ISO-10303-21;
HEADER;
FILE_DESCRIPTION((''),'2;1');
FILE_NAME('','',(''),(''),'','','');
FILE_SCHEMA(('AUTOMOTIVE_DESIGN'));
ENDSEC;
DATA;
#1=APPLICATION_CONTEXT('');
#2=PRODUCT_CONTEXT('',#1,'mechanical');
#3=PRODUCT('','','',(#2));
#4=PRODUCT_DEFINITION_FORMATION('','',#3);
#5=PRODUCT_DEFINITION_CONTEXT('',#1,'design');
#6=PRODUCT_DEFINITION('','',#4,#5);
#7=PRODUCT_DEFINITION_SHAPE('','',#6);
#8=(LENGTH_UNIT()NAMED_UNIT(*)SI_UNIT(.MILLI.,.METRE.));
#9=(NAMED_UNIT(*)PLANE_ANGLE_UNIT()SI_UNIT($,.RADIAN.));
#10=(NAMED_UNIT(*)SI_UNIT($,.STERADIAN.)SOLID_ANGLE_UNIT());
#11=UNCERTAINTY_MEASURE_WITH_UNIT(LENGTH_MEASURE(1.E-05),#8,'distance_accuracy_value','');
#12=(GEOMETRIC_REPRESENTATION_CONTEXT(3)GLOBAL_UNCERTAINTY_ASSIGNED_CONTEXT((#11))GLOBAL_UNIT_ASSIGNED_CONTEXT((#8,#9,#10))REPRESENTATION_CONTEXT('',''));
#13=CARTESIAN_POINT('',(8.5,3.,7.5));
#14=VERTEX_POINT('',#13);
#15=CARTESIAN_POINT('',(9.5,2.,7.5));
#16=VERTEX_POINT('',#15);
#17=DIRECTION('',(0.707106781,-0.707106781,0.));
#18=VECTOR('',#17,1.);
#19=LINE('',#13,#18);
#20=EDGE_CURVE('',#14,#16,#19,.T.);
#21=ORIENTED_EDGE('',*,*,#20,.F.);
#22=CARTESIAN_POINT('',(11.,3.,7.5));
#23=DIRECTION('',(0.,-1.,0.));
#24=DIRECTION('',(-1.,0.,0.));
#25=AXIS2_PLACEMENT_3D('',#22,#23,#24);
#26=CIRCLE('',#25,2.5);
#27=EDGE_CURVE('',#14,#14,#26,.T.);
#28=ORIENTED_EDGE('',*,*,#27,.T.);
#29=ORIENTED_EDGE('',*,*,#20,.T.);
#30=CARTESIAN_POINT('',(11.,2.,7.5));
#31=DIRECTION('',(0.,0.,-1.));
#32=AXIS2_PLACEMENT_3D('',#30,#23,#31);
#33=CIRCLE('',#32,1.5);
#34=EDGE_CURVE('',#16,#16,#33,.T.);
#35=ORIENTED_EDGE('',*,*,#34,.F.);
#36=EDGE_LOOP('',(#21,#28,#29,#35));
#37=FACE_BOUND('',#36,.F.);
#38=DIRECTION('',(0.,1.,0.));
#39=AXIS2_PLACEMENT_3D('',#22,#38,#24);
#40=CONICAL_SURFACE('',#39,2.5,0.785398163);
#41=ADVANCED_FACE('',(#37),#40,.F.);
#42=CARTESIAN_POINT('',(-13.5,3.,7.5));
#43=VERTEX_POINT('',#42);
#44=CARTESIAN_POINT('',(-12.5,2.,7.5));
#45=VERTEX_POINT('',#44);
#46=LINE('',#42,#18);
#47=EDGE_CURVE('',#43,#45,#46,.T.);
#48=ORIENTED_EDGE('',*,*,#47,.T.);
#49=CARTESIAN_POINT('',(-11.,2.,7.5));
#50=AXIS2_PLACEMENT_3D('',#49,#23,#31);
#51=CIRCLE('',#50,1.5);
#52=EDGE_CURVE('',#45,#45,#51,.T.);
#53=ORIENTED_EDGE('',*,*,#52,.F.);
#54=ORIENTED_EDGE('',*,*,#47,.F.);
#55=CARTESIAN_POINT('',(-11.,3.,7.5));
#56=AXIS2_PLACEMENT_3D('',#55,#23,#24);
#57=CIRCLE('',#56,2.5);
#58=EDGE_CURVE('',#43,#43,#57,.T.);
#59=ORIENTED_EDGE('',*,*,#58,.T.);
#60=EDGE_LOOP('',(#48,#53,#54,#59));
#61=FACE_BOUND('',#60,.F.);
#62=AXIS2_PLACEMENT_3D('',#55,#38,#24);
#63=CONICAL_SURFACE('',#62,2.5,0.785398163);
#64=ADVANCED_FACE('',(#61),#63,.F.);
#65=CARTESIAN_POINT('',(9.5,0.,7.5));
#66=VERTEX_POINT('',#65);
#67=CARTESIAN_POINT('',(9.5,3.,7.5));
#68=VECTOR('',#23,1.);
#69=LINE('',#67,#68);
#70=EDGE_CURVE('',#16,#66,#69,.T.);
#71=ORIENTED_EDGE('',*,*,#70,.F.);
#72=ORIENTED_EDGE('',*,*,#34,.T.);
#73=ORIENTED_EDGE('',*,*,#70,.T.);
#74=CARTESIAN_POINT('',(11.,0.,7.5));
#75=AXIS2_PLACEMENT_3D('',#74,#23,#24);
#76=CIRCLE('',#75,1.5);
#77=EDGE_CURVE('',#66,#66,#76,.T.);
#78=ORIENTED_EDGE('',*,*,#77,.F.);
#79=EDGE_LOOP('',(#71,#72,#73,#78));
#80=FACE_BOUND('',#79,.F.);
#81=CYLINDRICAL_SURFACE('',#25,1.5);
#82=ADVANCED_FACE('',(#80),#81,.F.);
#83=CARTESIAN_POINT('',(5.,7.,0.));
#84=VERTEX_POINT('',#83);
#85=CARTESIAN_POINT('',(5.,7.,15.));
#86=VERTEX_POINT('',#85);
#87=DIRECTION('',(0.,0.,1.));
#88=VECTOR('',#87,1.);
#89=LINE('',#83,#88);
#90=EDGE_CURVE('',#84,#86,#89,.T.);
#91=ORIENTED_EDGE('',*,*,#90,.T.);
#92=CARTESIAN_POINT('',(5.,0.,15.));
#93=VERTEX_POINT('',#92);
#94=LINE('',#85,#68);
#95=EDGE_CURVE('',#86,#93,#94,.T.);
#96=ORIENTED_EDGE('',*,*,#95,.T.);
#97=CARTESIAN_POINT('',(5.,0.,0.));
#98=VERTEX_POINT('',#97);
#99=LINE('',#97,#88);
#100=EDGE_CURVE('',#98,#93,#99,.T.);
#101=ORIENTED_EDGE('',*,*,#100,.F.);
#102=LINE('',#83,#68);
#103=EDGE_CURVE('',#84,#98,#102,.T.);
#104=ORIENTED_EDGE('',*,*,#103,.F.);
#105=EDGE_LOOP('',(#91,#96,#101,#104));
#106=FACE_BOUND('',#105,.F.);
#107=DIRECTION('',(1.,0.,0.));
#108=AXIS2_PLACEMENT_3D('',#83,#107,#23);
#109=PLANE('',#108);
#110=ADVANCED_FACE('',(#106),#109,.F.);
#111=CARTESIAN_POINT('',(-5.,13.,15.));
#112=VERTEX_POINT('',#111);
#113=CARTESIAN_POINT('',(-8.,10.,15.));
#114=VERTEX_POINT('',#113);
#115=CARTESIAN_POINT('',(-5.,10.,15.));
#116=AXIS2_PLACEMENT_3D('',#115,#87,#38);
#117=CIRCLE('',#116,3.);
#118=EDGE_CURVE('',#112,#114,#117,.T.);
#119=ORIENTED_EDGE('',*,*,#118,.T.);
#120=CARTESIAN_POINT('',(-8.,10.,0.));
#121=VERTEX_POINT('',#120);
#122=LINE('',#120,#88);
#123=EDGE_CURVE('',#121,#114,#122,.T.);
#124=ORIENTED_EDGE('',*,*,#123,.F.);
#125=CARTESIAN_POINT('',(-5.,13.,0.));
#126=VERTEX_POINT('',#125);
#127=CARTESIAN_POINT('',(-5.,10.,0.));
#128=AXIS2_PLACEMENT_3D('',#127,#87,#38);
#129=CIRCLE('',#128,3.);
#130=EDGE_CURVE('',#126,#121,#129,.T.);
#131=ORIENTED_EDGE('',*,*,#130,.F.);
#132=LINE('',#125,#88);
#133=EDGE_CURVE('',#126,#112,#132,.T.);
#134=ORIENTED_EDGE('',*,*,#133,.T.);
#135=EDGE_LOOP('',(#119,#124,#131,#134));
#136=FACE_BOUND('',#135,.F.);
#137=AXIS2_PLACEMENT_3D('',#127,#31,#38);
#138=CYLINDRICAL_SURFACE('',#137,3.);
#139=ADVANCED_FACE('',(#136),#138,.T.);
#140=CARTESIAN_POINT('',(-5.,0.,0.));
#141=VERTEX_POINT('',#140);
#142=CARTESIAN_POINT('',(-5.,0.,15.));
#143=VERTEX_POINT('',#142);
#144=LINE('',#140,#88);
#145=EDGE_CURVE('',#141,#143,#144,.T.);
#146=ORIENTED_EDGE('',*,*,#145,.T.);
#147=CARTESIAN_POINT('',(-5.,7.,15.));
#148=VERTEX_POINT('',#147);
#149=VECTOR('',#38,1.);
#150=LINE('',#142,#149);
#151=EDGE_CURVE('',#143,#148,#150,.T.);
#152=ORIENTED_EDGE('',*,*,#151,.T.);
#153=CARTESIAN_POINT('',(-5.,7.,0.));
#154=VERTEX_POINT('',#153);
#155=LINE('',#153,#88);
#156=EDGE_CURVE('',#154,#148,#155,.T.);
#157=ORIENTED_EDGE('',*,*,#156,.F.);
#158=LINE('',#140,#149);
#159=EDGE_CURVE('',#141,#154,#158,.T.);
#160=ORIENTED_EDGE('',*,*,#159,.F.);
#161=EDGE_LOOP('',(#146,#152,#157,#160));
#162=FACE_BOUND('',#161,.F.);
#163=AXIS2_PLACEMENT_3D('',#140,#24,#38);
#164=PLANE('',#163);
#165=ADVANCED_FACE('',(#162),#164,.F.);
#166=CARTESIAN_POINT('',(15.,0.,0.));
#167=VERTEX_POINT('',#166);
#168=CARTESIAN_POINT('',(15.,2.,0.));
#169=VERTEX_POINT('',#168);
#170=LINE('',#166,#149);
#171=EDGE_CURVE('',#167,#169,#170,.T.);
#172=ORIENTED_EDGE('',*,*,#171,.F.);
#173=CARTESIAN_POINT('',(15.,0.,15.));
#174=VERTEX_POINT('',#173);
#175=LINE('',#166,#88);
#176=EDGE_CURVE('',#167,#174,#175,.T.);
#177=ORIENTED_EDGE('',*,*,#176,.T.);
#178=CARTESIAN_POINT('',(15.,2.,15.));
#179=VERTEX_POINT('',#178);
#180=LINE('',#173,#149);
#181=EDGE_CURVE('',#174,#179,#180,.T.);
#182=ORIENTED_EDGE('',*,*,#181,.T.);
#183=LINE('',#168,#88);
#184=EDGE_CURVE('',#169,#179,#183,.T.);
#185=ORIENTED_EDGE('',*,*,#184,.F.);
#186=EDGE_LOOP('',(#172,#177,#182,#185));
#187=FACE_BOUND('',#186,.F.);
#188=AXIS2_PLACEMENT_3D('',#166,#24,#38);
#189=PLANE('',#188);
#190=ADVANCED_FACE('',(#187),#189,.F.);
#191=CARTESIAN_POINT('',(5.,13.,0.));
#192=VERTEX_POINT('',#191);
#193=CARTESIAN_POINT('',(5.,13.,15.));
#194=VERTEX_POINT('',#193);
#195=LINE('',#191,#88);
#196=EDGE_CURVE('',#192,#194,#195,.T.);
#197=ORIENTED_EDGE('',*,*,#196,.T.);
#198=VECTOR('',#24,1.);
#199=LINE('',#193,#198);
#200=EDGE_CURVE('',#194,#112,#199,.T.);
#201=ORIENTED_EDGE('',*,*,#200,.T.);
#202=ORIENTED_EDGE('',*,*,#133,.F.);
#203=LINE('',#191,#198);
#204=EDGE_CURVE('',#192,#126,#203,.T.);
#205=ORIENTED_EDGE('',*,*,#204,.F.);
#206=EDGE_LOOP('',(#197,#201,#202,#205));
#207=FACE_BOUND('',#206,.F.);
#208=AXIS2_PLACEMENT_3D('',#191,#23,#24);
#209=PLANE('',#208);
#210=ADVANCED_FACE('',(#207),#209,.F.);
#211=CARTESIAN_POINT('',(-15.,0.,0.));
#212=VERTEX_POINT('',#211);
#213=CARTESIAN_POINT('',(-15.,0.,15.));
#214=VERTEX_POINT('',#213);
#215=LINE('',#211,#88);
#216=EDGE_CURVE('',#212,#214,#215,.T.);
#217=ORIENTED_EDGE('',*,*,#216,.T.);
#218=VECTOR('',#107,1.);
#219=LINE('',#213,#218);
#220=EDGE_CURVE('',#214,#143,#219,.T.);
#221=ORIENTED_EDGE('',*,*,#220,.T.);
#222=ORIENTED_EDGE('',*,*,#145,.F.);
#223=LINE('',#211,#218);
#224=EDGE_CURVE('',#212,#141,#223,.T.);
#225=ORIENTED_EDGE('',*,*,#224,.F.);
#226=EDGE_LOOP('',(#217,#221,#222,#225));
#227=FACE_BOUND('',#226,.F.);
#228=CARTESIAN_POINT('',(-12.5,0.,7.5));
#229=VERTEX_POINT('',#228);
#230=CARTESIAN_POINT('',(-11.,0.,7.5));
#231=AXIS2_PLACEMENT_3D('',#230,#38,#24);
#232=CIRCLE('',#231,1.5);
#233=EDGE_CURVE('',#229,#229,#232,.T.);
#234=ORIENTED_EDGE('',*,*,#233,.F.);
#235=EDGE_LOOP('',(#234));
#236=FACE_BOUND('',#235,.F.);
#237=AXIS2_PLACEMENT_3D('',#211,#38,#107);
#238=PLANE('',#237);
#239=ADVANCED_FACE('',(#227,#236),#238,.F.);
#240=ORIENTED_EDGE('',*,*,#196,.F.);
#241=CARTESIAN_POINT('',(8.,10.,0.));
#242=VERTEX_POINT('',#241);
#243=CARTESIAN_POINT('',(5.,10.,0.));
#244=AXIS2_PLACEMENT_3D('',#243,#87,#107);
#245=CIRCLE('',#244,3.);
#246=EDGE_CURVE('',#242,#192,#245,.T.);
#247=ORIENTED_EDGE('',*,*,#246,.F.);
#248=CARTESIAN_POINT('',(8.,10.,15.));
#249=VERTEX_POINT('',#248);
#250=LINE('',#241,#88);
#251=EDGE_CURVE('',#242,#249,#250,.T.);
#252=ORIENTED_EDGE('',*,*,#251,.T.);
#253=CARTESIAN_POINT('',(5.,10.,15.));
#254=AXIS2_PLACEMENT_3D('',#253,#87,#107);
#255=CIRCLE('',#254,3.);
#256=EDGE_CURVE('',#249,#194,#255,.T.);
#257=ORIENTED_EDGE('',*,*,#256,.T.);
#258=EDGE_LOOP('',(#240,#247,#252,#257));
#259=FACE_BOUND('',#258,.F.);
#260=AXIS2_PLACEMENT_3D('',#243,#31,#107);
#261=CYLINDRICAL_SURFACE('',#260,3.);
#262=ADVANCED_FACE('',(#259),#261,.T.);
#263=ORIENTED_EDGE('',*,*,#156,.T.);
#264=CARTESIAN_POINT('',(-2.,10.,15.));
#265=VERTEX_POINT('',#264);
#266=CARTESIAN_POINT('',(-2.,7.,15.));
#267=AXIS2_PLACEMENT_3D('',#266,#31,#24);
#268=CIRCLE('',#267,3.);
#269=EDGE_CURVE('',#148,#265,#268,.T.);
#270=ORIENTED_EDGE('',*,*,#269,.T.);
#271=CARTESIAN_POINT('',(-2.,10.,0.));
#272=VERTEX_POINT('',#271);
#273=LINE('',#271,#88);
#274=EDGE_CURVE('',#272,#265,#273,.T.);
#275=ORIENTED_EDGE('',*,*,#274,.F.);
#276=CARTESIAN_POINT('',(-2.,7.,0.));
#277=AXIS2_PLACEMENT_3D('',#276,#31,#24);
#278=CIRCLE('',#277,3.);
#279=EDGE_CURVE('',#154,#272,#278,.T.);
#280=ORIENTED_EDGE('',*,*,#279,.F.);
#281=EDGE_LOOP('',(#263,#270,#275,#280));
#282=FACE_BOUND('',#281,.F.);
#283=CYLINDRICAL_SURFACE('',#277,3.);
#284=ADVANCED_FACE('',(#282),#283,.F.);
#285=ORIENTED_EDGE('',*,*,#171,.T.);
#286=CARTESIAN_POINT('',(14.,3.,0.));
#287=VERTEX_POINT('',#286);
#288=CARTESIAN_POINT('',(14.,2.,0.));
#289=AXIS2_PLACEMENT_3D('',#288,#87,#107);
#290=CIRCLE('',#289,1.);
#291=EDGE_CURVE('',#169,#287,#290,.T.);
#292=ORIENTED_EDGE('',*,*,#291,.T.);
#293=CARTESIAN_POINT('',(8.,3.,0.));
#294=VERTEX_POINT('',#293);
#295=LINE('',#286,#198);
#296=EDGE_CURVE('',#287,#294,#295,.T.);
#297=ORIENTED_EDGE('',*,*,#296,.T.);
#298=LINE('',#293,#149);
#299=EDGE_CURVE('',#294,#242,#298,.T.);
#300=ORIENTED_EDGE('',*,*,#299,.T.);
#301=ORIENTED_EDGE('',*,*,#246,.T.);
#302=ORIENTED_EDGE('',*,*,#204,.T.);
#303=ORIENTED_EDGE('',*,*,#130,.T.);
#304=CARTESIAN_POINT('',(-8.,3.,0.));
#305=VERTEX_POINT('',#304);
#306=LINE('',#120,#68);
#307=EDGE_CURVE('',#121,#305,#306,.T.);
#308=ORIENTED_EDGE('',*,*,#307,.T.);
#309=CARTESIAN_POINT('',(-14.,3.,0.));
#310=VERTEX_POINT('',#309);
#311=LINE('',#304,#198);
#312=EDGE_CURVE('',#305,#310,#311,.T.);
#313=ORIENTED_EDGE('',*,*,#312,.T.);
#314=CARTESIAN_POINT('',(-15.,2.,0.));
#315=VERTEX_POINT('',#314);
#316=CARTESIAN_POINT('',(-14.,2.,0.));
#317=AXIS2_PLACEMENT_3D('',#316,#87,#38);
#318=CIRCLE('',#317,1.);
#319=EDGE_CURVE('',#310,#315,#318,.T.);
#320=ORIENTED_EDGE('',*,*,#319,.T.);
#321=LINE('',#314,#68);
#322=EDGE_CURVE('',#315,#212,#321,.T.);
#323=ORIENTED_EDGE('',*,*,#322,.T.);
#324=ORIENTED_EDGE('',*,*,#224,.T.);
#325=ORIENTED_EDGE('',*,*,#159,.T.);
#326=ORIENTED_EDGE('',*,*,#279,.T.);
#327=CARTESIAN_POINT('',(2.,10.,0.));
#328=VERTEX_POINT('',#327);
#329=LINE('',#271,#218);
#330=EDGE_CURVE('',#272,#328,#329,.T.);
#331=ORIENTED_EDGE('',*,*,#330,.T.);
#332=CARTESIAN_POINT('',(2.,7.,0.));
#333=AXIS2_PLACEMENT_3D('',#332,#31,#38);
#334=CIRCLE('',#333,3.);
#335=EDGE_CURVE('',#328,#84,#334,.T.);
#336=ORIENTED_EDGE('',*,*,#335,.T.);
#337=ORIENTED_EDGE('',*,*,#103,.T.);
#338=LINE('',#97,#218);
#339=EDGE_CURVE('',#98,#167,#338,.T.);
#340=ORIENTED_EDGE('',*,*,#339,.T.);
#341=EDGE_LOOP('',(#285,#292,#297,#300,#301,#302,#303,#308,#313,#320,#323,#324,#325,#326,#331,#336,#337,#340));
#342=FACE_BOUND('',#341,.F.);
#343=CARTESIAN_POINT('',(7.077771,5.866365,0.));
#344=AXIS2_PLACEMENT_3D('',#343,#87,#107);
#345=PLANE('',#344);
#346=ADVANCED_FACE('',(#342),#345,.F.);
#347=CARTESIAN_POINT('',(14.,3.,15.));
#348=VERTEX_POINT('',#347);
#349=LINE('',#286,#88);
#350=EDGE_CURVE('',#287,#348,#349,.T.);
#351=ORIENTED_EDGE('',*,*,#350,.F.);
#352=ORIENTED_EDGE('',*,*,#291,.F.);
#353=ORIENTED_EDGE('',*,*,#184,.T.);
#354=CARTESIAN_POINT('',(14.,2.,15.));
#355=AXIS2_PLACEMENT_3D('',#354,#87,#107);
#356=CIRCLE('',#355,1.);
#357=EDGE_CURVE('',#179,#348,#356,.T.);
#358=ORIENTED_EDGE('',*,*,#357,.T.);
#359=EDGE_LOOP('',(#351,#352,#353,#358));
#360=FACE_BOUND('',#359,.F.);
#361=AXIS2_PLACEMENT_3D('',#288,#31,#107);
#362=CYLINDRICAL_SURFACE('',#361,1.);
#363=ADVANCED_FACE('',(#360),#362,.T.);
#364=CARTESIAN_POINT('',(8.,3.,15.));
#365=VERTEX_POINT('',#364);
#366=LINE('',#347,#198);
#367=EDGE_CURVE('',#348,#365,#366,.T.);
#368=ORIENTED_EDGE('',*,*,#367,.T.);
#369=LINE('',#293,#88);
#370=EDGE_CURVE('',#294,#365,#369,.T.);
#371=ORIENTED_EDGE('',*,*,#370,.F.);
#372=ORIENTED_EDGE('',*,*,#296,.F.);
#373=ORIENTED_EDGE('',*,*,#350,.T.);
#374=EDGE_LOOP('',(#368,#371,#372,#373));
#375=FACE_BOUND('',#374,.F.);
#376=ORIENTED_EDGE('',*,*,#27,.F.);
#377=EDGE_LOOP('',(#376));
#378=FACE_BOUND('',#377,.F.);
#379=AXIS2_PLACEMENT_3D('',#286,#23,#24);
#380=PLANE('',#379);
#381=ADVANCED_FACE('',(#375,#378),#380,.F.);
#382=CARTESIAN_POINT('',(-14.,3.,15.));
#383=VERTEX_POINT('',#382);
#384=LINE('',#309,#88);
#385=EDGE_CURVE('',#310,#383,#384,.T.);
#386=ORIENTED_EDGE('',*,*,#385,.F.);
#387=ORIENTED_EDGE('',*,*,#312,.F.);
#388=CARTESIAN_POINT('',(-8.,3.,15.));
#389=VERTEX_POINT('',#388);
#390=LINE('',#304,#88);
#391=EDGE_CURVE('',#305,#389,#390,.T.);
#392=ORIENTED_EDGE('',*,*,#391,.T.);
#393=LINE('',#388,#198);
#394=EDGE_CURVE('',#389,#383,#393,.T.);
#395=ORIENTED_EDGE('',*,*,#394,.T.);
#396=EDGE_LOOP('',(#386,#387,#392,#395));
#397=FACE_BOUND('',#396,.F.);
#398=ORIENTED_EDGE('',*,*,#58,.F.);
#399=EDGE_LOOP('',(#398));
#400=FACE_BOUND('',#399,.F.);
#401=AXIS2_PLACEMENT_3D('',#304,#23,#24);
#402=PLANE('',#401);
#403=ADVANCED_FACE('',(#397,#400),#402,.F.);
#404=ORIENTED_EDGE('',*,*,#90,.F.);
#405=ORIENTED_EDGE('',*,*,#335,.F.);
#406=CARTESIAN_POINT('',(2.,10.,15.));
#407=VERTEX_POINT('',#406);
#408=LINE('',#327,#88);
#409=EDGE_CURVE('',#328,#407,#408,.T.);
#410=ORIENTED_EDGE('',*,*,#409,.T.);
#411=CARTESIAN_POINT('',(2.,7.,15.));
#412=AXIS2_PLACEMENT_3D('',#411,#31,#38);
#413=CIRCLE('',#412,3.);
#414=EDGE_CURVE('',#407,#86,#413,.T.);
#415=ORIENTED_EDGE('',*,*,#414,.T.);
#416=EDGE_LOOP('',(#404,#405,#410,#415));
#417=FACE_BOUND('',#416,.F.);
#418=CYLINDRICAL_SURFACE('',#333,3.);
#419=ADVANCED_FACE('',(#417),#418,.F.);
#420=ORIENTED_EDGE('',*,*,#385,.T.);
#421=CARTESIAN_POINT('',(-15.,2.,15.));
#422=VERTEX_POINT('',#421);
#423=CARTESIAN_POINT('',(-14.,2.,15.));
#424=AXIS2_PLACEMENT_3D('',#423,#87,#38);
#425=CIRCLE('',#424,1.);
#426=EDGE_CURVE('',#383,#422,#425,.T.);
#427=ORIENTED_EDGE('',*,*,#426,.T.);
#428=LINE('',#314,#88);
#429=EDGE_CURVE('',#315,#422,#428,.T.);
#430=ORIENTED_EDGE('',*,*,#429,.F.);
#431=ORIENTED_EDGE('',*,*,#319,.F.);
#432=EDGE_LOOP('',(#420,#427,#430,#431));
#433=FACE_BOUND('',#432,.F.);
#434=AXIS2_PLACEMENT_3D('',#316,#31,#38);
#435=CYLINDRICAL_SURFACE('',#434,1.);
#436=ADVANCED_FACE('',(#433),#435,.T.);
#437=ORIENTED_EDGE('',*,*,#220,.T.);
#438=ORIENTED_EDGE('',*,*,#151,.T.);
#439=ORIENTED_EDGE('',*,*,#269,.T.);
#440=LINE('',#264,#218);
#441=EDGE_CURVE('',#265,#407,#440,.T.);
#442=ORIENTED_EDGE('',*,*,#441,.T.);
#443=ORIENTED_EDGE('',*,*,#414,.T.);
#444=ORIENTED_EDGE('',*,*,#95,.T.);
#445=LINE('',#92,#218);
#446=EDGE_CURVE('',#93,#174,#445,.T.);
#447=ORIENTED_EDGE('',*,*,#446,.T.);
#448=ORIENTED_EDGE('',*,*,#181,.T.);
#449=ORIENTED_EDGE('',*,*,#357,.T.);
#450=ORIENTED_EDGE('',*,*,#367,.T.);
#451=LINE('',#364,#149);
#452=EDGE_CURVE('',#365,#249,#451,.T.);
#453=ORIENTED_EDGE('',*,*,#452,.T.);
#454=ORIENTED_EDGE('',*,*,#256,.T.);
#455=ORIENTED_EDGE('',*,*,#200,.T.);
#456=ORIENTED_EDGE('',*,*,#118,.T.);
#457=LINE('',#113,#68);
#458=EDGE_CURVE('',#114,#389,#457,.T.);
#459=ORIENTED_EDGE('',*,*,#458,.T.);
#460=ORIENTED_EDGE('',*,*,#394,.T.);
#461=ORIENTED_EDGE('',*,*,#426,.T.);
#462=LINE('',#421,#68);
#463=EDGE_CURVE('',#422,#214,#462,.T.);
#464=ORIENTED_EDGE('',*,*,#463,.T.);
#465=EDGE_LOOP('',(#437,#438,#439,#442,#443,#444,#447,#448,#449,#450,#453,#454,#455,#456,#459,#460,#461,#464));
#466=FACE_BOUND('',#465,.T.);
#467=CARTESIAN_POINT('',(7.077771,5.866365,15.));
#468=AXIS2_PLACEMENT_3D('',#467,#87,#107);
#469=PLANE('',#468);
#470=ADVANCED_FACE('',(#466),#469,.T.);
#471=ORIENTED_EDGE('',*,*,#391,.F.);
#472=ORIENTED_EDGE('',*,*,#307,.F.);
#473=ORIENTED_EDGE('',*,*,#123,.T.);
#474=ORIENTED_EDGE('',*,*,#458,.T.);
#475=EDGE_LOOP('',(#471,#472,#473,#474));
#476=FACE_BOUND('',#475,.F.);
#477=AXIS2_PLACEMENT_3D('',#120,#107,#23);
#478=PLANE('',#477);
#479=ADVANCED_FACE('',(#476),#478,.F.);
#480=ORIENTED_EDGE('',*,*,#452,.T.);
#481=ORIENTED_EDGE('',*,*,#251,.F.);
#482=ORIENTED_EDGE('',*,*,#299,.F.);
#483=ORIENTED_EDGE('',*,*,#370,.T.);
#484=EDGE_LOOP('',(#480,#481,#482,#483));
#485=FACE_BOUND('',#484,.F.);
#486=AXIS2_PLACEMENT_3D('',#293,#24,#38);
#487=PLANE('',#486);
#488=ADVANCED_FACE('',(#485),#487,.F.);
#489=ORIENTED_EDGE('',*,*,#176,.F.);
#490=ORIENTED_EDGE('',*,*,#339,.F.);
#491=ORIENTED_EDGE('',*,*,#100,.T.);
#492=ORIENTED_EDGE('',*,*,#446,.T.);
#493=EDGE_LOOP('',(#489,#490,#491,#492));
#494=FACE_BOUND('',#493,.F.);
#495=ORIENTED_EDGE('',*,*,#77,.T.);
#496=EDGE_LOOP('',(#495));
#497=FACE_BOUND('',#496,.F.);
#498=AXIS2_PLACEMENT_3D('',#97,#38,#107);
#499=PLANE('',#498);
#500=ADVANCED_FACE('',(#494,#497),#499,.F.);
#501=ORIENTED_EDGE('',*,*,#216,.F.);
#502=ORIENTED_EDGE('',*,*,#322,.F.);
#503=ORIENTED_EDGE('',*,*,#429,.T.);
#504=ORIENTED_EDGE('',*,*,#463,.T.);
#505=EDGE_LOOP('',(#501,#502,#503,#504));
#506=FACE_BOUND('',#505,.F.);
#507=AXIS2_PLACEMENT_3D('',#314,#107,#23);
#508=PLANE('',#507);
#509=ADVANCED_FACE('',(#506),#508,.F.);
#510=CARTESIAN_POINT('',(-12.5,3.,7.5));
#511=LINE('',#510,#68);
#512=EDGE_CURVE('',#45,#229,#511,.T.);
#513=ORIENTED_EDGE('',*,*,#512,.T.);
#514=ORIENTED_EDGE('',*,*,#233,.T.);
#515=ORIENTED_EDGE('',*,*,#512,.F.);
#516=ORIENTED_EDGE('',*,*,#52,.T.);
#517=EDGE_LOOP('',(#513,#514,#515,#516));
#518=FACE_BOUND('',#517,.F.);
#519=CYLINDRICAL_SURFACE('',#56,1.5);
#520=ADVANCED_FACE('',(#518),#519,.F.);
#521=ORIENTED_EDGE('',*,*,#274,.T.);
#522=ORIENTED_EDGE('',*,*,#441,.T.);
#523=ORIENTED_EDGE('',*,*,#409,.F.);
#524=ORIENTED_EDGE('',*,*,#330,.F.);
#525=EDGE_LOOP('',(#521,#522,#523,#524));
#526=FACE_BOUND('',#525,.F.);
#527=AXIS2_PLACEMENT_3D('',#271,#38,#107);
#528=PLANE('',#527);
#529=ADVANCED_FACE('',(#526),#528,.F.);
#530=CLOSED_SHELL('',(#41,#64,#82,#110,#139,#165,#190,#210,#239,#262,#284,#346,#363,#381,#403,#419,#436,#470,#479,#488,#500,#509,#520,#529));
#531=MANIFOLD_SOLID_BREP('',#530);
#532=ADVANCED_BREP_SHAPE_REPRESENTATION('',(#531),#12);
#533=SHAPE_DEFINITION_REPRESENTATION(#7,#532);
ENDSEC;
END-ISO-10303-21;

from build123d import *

# Parameters (mm, degrees)
F1_DEPTH       = 15
F4_D           = 3
F4_DEPTH       = 3
F4_CSINK_D     = 5
F4_CSINK_ANGLE = 90
F4_TIP         = 0.9012909285


with BuildPart() as f1:
    # F0 (on Top) → F1 (new body)
    with BuildSketch(Plane.XY):
        with BuildLine():
            Line((5, 7), (5, 0))
            Line((5, 0), (15, 0))
            Line((15, 0), (15, 2))
            ThreePointArc((15, 2), (14.7071067812, 2.7071067812), (14, 3))
            Line((14, 3), (8, 3))
            Line((8, 3), (8, 10))
            ThreePointArc((8, 10), (7.1213203436, 12.1213203436), (5, 13))
            Line((5, 13), (0, 13))
            Line((0, 13), (0, 10))
            Line((0, 10), (2, 10))
            ThreePointArc((2, 10), (4.1213203436, 9.1213203436), (5, 7))
        make_face()
        with BuildLine():
            Line((-2, 10), (0, 10))
            Line((0, 10), (0, 13))
            Line((0, 13), (-5, 13))
            ThreePointArc((-5, 13), (-7.1213203436, 12.1213203436), (-8, 10))
            Line((-8, 10), (-8, 3))
            Line((-8, 3), (-14, 3))
            ThreePointArc((-14, 3), (-14.7071067812, 2.7071067812), (-15, 2))
            Line((-15, 2), (-15, 0))
            Line((-15, 0), (-5, 0))
            Line((-5, 0), (-5, 7))
            ThreePointArc((-5, 7), (-4.1213203436, 9.1213203436), (-2, 10))
        make_face()
    extrude(amount=F1_DEPTH)

    # F4
    with Locations(Plane(origin=(0, 3, 0), x_dir=(1, 0, 0), z_dir=(0, 1, 0))):
        with Locations((11, -7.5), (-11, -7.5)):
            CounterSinkHole(F4_D / 2, F4_CSINK_D / 2, depth=F4_DEPTH, counter_sink_angle=F4_CSINK_ANGLE)
            with Locations((0, 0, -(F4_DEPTH + F4_TIP / 2))):  # 118° drill point
                Cone(0, F4_D / 2, F4_TIP, mode=Mode.SUBTRACT)


solid = f1.part
